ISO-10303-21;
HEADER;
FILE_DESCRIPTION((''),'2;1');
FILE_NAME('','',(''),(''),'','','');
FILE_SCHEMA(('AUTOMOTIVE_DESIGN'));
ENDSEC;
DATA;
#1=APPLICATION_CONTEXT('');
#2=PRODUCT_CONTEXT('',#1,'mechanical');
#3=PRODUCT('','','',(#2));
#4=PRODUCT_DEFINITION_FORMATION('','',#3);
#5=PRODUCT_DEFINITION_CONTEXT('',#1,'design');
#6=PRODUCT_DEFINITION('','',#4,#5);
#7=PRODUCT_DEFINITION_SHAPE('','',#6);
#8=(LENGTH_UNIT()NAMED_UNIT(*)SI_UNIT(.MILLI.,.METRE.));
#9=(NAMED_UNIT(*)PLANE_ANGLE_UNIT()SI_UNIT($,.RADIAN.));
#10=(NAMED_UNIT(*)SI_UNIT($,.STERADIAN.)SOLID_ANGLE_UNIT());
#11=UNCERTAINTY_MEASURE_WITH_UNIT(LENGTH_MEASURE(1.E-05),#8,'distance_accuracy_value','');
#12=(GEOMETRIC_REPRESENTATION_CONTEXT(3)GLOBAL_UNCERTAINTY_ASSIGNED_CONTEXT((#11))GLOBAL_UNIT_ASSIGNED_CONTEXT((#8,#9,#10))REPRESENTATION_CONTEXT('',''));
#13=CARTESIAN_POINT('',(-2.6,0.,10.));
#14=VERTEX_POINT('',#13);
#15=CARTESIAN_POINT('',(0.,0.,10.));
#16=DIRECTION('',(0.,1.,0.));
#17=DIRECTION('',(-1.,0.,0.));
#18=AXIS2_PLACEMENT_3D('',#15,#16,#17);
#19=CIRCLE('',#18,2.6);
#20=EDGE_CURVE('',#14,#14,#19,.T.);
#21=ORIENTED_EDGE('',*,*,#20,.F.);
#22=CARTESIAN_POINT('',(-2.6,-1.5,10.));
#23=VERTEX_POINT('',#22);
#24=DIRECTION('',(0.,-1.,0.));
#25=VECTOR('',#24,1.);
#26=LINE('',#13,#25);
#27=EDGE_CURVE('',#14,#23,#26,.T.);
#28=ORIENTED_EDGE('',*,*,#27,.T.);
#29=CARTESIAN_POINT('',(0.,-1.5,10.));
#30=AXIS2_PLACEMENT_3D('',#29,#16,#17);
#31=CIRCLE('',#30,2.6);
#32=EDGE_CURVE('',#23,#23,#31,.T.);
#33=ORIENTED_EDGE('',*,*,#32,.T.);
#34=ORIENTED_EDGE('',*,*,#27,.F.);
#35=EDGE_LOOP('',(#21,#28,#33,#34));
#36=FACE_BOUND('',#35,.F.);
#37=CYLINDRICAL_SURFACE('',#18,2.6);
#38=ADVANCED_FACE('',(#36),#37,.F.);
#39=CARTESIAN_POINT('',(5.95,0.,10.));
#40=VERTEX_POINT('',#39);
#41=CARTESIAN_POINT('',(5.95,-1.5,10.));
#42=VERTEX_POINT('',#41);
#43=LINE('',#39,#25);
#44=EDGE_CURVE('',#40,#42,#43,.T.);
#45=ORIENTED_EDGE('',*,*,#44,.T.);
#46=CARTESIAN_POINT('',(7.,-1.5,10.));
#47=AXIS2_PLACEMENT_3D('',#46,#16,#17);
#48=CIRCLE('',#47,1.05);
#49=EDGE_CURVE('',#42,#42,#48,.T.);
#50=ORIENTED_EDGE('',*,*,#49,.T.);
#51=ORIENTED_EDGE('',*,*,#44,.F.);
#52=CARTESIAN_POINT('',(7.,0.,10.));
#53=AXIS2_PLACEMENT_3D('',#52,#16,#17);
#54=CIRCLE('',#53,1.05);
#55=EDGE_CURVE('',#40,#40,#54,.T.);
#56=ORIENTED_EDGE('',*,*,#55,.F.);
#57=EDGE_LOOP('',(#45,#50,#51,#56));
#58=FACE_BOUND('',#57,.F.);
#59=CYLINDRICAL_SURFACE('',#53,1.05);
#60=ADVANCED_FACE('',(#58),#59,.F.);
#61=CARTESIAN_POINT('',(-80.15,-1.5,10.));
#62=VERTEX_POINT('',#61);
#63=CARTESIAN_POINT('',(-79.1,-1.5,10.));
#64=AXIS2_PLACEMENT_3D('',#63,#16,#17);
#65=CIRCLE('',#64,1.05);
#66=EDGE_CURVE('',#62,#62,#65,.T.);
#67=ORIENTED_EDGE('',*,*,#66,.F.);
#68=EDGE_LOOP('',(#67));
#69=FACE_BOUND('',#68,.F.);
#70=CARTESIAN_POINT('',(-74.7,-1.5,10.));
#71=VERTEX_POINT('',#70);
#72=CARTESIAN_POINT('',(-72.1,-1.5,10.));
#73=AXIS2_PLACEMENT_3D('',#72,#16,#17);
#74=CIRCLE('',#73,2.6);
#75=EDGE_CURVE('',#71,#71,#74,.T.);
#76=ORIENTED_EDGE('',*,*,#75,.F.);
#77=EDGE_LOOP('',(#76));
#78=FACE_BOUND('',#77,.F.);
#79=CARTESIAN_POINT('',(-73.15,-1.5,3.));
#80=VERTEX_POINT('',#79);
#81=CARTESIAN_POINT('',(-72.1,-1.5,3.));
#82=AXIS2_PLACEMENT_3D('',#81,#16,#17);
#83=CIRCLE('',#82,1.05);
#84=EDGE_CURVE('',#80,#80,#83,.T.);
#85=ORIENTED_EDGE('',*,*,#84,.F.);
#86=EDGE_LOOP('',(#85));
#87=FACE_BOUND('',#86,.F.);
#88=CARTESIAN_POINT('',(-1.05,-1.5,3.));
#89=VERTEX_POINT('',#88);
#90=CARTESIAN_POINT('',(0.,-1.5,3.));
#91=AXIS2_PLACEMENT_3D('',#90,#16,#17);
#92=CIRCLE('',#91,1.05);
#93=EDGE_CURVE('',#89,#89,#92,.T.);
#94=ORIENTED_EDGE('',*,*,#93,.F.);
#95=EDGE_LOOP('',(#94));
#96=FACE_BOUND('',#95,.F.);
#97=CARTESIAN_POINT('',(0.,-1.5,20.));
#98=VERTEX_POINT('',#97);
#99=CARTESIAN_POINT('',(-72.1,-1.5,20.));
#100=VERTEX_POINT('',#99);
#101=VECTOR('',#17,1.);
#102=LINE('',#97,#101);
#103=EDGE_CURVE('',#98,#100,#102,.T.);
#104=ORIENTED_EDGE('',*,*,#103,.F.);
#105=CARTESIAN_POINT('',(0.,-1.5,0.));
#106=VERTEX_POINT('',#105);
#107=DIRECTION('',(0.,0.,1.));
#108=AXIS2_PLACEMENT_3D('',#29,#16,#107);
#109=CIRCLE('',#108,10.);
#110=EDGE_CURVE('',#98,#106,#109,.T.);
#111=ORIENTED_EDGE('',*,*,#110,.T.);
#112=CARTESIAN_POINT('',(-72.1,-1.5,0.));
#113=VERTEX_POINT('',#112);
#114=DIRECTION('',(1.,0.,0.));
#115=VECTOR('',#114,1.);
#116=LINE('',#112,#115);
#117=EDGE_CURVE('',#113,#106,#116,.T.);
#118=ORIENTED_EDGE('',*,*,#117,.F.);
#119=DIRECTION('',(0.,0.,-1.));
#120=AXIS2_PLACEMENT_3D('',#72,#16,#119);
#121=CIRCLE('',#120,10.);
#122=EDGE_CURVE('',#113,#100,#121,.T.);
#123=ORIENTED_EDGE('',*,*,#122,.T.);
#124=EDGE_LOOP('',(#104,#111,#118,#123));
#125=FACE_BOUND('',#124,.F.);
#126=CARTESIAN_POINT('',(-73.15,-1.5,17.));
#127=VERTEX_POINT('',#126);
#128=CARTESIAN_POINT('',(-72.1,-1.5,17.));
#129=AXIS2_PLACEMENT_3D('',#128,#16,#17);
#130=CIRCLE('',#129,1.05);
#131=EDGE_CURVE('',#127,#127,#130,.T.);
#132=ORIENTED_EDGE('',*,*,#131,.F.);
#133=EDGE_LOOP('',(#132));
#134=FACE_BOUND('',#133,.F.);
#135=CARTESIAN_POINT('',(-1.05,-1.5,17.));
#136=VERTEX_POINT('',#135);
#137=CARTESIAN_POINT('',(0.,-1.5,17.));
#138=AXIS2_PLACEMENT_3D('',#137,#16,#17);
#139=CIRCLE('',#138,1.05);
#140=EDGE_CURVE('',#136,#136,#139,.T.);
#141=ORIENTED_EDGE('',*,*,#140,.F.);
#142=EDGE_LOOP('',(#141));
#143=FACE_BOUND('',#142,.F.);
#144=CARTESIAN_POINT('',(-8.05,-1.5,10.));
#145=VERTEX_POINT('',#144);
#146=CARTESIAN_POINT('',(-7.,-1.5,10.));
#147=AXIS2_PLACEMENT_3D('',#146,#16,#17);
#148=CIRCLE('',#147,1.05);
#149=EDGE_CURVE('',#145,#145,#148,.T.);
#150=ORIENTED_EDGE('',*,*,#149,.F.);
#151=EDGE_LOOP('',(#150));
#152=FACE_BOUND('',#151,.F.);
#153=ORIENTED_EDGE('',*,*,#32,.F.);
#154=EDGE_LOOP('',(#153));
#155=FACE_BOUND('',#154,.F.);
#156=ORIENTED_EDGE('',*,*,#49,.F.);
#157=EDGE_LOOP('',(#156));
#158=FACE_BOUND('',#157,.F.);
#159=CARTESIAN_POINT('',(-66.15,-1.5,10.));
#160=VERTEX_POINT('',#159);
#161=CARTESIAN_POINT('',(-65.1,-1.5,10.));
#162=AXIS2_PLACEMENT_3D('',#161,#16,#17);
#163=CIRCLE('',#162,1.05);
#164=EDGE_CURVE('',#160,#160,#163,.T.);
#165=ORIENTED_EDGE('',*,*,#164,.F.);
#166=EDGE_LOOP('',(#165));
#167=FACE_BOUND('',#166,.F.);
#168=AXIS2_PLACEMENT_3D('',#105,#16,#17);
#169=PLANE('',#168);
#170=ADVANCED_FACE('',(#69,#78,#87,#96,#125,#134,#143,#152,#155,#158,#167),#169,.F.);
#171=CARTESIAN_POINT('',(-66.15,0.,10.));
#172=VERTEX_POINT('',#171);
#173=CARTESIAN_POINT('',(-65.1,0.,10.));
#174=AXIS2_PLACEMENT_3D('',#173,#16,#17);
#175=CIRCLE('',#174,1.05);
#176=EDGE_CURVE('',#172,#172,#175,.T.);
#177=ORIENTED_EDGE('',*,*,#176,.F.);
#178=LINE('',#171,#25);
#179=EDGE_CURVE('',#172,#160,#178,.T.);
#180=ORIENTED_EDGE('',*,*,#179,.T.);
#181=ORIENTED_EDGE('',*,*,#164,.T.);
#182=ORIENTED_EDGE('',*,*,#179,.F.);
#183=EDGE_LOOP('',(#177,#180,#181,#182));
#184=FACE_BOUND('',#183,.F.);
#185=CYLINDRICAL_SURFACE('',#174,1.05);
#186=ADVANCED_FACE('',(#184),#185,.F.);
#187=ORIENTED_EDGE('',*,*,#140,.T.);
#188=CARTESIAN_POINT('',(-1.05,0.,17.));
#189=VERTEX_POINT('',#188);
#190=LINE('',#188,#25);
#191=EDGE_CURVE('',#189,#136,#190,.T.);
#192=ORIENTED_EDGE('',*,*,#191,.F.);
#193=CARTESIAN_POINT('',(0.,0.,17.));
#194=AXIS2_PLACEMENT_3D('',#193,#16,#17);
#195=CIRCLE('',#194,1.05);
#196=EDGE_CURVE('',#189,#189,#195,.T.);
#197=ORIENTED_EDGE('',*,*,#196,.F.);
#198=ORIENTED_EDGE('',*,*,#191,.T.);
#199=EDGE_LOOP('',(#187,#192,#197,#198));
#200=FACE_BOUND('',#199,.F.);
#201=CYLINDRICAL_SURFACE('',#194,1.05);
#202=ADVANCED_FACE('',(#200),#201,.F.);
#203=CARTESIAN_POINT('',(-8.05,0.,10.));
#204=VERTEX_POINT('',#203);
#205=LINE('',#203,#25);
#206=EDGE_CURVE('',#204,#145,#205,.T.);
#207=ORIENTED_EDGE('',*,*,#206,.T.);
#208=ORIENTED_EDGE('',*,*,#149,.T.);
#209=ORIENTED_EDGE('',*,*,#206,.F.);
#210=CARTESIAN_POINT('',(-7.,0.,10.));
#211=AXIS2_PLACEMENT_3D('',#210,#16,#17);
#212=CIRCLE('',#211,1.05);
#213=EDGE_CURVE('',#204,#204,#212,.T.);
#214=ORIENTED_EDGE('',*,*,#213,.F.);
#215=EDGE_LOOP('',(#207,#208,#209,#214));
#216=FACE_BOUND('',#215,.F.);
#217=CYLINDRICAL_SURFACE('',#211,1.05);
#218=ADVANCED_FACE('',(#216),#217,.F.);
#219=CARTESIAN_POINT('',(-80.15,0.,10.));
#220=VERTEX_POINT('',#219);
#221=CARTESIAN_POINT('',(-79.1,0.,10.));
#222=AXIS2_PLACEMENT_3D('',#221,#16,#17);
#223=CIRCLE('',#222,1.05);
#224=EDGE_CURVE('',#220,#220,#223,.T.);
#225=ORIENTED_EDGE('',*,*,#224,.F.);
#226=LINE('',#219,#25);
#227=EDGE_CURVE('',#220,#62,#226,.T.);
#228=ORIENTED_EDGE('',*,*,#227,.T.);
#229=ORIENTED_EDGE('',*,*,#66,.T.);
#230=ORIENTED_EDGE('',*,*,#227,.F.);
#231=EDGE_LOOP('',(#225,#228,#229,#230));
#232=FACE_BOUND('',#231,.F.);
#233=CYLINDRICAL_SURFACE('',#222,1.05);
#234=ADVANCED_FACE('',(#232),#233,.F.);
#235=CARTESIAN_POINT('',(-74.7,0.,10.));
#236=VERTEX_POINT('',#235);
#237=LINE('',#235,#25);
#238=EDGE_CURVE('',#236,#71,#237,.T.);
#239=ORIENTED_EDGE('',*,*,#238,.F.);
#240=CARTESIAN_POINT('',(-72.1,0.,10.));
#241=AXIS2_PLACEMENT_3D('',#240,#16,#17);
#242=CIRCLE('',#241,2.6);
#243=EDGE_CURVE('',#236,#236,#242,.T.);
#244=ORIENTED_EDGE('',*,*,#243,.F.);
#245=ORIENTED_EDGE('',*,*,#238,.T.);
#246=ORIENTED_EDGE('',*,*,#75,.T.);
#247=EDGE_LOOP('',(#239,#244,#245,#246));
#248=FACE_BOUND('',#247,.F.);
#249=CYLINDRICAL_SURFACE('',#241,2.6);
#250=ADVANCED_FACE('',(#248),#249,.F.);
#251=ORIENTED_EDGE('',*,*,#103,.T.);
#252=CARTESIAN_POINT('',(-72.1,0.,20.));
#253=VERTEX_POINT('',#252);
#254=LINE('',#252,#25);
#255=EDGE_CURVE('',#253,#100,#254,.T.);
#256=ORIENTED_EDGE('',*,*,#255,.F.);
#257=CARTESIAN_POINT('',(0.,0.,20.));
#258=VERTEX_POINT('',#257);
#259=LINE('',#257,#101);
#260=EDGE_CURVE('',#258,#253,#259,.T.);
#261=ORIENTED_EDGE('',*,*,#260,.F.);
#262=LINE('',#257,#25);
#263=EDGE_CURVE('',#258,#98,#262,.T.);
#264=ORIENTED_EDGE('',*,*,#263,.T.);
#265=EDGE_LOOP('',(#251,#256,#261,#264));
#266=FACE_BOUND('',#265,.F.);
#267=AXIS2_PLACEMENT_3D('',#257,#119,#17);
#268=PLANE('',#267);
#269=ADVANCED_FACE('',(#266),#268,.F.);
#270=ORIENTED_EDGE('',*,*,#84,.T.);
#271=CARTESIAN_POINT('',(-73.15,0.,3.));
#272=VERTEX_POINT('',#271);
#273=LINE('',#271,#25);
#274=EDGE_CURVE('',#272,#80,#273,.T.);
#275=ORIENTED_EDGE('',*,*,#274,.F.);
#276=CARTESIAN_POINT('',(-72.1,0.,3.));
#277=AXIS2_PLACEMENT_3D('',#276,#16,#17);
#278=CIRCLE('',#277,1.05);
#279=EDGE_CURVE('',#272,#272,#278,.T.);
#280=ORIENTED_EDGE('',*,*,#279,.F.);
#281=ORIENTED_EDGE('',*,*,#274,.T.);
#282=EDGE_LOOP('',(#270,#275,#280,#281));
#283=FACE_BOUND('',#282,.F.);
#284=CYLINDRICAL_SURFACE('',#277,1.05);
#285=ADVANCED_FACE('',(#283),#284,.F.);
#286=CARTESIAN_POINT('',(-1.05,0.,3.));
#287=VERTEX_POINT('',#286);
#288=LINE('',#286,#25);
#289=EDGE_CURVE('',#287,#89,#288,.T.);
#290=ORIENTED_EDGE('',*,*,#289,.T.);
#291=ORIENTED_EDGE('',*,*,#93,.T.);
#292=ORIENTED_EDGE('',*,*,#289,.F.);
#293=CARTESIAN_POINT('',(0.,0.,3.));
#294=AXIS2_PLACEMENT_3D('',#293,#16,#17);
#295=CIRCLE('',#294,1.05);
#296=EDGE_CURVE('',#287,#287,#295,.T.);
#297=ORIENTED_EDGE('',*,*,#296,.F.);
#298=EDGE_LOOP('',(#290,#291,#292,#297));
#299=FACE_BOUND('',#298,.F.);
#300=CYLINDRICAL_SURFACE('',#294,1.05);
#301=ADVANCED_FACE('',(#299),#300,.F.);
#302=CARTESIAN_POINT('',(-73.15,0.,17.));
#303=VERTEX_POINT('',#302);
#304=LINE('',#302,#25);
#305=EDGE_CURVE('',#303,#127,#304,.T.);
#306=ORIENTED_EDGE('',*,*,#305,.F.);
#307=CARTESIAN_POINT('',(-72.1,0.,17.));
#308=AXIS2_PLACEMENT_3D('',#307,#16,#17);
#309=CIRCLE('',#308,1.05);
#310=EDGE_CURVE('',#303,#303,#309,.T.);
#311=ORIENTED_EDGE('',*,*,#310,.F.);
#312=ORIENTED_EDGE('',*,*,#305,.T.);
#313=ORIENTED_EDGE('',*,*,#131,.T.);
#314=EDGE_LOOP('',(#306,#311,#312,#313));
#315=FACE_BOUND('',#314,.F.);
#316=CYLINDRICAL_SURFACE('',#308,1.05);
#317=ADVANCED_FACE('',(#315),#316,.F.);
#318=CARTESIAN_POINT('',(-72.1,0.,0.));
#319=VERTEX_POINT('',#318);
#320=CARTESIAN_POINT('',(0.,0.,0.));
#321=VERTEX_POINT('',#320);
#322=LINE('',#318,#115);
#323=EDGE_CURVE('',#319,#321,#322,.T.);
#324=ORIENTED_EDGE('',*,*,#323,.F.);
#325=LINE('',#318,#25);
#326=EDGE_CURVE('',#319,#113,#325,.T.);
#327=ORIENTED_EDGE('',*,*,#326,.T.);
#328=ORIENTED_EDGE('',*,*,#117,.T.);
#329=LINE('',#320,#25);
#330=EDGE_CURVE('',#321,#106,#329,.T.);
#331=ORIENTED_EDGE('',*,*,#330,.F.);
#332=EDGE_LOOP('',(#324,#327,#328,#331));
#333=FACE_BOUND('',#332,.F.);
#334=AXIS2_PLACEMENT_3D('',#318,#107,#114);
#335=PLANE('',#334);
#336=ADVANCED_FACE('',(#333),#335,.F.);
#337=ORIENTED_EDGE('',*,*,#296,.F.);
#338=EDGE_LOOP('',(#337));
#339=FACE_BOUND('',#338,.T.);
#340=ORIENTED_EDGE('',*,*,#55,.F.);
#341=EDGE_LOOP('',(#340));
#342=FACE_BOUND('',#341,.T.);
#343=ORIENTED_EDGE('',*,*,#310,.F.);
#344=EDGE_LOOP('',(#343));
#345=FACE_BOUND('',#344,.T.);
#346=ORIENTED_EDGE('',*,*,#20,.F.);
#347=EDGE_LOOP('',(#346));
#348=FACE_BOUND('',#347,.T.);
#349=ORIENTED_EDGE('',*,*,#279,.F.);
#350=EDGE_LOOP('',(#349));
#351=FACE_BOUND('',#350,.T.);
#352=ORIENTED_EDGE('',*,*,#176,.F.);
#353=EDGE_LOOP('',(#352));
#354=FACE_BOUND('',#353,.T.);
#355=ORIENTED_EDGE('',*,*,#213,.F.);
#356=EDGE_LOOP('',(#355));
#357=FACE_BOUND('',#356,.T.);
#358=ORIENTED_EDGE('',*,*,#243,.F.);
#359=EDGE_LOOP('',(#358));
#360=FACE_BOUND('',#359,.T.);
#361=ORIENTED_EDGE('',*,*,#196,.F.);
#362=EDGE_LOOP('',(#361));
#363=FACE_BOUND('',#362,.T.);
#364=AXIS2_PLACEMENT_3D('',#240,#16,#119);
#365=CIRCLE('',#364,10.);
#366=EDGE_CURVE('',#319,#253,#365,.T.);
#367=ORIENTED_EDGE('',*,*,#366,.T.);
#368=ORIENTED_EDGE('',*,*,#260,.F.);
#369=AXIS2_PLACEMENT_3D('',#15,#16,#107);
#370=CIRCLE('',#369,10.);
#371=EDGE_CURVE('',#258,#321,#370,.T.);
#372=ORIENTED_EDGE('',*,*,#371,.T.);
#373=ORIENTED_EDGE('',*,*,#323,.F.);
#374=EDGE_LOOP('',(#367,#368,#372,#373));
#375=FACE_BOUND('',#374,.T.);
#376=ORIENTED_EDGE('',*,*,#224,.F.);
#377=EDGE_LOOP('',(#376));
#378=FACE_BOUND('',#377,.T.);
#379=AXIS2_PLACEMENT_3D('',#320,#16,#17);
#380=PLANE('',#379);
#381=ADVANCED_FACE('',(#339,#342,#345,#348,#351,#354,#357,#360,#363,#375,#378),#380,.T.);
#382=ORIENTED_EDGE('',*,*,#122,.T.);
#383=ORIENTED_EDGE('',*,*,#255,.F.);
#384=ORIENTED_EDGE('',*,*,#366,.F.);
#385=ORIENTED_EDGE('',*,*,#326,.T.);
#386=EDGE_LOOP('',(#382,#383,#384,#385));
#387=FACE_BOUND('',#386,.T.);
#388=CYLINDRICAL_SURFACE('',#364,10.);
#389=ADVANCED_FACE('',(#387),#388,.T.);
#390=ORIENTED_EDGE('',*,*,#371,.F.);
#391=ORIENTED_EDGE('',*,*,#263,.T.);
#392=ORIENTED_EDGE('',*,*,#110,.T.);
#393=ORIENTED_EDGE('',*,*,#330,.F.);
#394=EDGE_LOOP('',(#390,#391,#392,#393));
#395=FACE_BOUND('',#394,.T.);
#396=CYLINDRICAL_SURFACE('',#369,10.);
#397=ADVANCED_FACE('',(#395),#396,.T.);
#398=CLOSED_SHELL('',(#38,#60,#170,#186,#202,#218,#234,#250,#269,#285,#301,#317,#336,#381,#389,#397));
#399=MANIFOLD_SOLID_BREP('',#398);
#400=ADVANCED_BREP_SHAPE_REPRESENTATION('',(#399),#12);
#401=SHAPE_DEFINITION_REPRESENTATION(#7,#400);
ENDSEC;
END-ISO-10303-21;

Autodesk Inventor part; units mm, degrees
ref_plane "YZ Plane" through (0, 0, 0) normal (1, 0, 0) x (0, 1, 0)
ref_plane "XZ Plane" through (0, 0, 0) normal (0, 1, 0) x (-1, 0, 0)
ref_plane "XY Plane" through (0, 0, 0) normal (0, 0, 1) x (1, 0, 0)
sketch "Sketch1" plane through (0, 0, 0) normal (0, 1, 0) x (-1, 0, 0)
  circle A0 centre (0, 10) radius 2.6
  circle A1 centre (72.1, 10) radius 2.6
  circle A2 centre (72.1, 3) radius 1.05
  circle A3 centre (65.1, 10) radius 1.05
  circle A4 centre (72.1, 17) radius 1.05
  circle A5 centre (79.1, 10) radius 1.05
  circle A6 centre (0, 3) radius 1.05
  circle A7 centre (-7, 10) radius 1.05
  circle A8 centre (0, 17) radius 1.05
  circle A9 centre (7, 10) radius 1.05
  arc A10 (0, 20) -> (0, 0) centre (0, 10) ccw
  arc A11 (72.1, 0) -> (72.1, 20) centre (72.1, 10) ccw
  line L0 (72.1, 0) -> (0, 0)
  line L1 (0, 20) -> (72.1, 20)
  point P0 (0, 0)
extrude "Extrusion1" add sketch "Sketch1" against normal blind 1.5
properties part number "CAM_axis_4_5_connector_frame_powered"
